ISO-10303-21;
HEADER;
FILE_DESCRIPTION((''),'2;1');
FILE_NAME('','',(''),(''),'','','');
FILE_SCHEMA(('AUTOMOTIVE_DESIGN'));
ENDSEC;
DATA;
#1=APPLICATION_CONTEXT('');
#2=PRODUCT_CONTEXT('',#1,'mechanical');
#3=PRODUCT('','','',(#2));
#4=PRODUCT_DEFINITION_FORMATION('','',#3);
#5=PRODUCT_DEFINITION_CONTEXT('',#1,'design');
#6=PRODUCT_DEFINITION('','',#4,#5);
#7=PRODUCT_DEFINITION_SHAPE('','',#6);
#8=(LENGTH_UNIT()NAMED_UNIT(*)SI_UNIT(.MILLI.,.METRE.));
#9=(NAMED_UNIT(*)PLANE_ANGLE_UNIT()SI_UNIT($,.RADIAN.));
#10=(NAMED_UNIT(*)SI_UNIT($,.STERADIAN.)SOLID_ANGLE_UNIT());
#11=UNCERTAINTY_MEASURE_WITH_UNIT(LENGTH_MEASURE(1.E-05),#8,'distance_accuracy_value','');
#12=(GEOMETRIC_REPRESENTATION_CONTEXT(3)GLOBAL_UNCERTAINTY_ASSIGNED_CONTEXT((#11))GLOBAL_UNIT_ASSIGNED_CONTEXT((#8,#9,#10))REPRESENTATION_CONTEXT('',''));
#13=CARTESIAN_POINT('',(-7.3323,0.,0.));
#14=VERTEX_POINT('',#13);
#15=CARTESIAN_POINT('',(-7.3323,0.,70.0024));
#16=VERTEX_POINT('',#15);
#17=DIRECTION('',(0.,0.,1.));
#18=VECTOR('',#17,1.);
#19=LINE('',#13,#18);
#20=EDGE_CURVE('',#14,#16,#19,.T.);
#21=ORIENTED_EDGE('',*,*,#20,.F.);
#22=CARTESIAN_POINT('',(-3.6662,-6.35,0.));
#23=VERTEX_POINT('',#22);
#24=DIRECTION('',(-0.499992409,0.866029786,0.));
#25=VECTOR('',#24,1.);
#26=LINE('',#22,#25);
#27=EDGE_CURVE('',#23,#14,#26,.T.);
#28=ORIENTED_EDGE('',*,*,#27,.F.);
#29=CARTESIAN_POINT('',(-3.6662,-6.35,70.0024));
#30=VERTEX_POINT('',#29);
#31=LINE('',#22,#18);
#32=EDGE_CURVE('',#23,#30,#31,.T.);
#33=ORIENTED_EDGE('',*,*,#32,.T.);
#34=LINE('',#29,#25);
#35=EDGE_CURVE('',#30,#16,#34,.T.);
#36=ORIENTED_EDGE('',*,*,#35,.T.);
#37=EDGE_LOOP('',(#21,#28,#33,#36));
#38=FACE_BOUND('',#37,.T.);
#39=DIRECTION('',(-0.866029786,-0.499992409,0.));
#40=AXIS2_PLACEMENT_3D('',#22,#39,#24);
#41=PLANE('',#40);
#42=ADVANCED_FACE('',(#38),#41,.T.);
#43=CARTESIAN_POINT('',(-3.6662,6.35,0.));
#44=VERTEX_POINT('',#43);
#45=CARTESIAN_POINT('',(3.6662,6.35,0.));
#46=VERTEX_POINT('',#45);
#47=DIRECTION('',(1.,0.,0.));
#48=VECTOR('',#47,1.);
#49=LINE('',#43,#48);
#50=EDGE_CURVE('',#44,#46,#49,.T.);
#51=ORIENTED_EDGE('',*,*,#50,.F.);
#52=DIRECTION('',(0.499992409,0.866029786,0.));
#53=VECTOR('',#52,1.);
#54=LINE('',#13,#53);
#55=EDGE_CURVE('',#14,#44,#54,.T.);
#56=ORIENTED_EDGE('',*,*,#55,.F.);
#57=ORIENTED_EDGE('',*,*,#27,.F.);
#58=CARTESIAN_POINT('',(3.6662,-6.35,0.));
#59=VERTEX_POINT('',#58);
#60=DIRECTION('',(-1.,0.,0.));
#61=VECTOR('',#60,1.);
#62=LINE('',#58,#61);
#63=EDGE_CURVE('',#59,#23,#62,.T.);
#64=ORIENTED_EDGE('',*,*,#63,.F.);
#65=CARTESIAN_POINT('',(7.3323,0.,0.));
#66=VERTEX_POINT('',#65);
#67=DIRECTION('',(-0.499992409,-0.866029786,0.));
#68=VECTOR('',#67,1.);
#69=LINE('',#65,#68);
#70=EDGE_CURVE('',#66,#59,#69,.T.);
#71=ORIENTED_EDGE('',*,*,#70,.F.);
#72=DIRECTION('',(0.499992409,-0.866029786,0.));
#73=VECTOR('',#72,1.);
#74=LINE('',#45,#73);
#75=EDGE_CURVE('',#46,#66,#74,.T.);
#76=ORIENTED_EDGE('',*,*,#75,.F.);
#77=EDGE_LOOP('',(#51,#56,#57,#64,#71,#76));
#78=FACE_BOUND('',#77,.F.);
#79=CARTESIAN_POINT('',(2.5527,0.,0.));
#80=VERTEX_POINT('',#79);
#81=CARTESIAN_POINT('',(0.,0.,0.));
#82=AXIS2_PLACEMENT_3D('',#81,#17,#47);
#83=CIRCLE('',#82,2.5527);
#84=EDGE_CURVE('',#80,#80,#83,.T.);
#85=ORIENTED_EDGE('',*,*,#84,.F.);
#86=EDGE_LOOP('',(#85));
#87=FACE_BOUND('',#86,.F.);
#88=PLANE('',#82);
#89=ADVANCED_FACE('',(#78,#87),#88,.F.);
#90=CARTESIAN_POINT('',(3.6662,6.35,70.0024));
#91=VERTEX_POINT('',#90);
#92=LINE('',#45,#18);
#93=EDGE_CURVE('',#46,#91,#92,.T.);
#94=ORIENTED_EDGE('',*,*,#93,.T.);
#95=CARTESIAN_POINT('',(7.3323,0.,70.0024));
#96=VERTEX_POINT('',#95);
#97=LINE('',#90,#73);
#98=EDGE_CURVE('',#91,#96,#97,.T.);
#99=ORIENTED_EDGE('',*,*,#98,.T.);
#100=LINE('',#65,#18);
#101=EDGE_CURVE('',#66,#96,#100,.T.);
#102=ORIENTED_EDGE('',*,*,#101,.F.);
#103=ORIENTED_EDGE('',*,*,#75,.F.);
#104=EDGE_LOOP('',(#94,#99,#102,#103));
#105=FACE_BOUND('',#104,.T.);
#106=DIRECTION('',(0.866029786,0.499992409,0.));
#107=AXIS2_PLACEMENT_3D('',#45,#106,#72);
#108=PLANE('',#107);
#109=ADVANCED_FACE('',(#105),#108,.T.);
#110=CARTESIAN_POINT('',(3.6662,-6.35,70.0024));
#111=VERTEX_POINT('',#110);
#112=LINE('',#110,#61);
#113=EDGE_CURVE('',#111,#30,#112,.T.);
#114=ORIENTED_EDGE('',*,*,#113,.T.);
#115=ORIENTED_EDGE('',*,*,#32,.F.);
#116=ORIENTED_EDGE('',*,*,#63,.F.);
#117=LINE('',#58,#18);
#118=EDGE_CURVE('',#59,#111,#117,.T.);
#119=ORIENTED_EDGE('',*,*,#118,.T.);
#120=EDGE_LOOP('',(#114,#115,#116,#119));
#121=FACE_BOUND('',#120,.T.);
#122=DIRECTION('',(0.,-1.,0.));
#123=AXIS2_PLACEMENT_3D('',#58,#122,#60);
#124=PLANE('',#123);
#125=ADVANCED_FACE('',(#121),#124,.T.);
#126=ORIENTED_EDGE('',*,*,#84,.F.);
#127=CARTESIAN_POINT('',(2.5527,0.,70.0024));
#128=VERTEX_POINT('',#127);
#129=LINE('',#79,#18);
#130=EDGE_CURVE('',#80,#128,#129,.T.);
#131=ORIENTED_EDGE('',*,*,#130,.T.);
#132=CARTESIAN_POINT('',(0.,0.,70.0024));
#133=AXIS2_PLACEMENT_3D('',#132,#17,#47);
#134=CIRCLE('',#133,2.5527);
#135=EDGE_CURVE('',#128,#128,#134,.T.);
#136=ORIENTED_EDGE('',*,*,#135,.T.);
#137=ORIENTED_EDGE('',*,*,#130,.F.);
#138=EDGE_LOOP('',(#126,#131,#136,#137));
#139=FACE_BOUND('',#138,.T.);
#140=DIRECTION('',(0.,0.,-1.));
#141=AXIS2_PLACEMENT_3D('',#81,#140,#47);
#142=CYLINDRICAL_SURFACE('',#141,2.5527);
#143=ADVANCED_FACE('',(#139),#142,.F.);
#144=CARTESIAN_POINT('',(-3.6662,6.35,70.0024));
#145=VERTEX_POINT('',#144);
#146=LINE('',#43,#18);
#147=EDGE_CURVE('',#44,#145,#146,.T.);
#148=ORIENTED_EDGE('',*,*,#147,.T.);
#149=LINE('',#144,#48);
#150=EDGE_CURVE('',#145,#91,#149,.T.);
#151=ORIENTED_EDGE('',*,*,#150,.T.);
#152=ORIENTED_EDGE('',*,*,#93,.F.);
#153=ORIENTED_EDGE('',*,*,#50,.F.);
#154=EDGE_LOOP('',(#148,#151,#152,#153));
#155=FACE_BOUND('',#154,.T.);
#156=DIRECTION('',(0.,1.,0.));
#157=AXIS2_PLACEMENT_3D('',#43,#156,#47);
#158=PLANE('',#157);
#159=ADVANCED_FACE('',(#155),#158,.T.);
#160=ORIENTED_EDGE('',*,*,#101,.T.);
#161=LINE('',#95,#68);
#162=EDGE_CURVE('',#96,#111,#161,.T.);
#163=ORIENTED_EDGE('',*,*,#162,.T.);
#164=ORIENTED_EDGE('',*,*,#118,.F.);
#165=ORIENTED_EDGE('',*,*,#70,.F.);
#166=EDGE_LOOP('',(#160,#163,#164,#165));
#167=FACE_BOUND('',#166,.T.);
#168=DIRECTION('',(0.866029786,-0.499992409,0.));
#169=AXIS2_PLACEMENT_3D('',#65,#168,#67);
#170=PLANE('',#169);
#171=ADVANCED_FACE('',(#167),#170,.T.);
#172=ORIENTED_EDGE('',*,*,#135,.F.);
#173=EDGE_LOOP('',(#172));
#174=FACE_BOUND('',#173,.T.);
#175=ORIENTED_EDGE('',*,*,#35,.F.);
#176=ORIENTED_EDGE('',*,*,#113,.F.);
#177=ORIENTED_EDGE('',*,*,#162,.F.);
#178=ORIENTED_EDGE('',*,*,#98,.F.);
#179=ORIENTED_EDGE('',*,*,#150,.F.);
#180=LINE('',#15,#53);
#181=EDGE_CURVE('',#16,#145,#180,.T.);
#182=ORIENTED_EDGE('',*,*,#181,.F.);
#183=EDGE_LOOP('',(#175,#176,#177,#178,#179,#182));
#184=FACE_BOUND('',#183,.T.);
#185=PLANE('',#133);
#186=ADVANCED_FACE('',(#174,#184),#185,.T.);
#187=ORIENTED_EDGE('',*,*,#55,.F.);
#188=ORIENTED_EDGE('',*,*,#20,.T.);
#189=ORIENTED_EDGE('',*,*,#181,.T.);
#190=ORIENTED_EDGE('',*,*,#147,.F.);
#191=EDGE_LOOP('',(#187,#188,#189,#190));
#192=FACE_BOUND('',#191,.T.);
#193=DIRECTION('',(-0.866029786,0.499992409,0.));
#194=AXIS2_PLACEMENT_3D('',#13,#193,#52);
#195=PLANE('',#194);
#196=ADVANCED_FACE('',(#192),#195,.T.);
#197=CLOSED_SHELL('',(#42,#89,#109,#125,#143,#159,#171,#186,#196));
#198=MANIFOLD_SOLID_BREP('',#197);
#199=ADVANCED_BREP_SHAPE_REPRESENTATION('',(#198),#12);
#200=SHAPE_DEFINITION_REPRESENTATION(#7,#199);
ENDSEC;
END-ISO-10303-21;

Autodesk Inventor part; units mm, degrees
ref_plane "YZ Plane" through (0, 0, 0) normal (1, 0, 0) x (0, 1, 0)
ref_plane "XZ Plane" through (0, 0, 0) normal (0, 1, 0) x (-1, 0, 0)
ref_plane "XY Plane" through (0, 0, 0) normal (0, 0, 1) x (1, 0, 0)
sketch "Sketch1" plane through (0, 0, 0) normal (0, 0, 1) x (1, 0, 0)
  line L0 (-7.3323, 0) -> (-3.6662, 6.35)
  line L1 (-3.6662, 6.35) -> (3.6662, 6.35)
  line L2 (3.6662, 6.35) -> (7.3323, 0)
  line L3 (7.3323, 0) -> (3.6662, -6.35)
  line L4 (3.6662, -6.35) -> (-3.6662, -6.35)
  line L5 (-3.6662, -6.35) -> (-7.3323, 0)
  circle A0 centre (0, 0) radius 2.5527
  dimension "d0" = 12.7
  dimension "d1" = 5.1054
extrude "Extrusion1" add sketch "Sketch1" along normal blind 70.0024
thread "Thread1" size "12-24 UNC" class "2B" standard "ANSI Unified Screw Threads" full length
properties part number "2.756_hexshaft" material "Aluminum 6061"
